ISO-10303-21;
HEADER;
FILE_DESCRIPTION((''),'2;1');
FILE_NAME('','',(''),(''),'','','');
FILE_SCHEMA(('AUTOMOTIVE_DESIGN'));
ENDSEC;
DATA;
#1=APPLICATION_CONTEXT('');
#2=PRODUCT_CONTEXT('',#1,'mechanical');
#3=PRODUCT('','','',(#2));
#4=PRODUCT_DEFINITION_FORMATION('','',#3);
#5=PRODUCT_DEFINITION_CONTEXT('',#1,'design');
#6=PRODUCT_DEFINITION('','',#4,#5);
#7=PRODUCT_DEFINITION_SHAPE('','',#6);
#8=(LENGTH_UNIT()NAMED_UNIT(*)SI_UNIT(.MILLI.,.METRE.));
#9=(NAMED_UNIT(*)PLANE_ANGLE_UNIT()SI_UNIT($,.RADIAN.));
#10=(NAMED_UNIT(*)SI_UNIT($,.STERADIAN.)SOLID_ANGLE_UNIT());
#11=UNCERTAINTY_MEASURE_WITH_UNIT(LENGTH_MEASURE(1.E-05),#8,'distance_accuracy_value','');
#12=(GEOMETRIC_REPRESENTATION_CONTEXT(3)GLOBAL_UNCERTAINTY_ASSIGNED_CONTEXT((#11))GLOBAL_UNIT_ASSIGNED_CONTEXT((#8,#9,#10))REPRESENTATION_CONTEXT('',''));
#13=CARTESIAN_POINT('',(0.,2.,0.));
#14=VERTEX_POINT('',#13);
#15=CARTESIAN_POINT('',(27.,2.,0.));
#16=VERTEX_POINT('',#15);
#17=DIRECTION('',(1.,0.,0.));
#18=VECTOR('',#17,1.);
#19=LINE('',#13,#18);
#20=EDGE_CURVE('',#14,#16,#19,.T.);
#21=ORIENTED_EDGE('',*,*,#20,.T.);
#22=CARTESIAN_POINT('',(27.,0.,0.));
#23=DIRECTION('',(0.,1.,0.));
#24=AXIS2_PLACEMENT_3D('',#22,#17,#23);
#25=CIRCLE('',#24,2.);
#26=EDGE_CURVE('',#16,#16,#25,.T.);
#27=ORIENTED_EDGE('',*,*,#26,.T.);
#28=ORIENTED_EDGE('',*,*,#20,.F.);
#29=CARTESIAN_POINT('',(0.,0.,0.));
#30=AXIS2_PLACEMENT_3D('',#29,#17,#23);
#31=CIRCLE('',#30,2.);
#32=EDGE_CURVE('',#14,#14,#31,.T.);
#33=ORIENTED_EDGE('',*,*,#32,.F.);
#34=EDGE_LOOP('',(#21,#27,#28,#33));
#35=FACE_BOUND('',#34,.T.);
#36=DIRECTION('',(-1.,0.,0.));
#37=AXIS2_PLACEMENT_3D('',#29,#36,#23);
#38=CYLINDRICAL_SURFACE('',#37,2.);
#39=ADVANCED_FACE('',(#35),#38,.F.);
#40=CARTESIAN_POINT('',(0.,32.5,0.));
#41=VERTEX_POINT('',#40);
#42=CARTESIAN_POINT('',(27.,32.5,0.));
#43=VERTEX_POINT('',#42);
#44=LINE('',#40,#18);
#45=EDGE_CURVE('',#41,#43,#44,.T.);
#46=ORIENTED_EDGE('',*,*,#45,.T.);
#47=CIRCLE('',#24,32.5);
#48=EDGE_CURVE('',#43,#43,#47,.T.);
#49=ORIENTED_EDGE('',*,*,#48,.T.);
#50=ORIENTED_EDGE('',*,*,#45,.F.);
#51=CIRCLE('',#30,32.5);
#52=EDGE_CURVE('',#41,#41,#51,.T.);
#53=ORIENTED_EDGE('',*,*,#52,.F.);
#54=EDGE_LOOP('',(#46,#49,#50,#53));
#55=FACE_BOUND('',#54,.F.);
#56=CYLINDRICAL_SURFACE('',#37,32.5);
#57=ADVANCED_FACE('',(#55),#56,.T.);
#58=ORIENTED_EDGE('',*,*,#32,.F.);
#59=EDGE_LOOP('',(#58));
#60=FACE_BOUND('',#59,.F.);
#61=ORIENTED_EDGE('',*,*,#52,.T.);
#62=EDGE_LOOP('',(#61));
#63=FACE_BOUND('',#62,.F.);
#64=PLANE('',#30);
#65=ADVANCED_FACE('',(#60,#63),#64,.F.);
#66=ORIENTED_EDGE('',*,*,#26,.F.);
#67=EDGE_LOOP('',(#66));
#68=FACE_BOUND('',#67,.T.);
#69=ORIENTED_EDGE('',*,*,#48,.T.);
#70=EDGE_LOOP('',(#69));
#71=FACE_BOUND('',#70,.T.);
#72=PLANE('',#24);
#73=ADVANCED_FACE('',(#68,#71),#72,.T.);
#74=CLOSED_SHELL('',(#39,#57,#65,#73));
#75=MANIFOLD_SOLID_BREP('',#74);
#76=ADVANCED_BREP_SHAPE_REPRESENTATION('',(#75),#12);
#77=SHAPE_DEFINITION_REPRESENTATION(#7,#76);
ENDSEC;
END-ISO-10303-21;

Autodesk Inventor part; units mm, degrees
ref_plane "YZ Plane" through (0, 0, 0) normal (1, 0, 0) x (0, 1, 0)
ref_plane "XZ Plane" through (0, 0, 0) normal (0, 1, 0) x (-1, 0, 0)
ref_plane "XY Plane" through (0, 0, 0) normal (0, 0, 1) x (1, 0, 0)
sketch "Sketch1" plane through (0, 0, 0) normal (1, 0, 0) x (0, 1, 0)
  circle A0 centre (0, 0) radius 32.5
  circle A1 centre (0, 0) radius 2
  dimension "d0" = 65
  dimension "d1" = 4
extrude "Extrusion1" add sketch "Sketch1" along normal blind 27
properties part number "robot wheel"
